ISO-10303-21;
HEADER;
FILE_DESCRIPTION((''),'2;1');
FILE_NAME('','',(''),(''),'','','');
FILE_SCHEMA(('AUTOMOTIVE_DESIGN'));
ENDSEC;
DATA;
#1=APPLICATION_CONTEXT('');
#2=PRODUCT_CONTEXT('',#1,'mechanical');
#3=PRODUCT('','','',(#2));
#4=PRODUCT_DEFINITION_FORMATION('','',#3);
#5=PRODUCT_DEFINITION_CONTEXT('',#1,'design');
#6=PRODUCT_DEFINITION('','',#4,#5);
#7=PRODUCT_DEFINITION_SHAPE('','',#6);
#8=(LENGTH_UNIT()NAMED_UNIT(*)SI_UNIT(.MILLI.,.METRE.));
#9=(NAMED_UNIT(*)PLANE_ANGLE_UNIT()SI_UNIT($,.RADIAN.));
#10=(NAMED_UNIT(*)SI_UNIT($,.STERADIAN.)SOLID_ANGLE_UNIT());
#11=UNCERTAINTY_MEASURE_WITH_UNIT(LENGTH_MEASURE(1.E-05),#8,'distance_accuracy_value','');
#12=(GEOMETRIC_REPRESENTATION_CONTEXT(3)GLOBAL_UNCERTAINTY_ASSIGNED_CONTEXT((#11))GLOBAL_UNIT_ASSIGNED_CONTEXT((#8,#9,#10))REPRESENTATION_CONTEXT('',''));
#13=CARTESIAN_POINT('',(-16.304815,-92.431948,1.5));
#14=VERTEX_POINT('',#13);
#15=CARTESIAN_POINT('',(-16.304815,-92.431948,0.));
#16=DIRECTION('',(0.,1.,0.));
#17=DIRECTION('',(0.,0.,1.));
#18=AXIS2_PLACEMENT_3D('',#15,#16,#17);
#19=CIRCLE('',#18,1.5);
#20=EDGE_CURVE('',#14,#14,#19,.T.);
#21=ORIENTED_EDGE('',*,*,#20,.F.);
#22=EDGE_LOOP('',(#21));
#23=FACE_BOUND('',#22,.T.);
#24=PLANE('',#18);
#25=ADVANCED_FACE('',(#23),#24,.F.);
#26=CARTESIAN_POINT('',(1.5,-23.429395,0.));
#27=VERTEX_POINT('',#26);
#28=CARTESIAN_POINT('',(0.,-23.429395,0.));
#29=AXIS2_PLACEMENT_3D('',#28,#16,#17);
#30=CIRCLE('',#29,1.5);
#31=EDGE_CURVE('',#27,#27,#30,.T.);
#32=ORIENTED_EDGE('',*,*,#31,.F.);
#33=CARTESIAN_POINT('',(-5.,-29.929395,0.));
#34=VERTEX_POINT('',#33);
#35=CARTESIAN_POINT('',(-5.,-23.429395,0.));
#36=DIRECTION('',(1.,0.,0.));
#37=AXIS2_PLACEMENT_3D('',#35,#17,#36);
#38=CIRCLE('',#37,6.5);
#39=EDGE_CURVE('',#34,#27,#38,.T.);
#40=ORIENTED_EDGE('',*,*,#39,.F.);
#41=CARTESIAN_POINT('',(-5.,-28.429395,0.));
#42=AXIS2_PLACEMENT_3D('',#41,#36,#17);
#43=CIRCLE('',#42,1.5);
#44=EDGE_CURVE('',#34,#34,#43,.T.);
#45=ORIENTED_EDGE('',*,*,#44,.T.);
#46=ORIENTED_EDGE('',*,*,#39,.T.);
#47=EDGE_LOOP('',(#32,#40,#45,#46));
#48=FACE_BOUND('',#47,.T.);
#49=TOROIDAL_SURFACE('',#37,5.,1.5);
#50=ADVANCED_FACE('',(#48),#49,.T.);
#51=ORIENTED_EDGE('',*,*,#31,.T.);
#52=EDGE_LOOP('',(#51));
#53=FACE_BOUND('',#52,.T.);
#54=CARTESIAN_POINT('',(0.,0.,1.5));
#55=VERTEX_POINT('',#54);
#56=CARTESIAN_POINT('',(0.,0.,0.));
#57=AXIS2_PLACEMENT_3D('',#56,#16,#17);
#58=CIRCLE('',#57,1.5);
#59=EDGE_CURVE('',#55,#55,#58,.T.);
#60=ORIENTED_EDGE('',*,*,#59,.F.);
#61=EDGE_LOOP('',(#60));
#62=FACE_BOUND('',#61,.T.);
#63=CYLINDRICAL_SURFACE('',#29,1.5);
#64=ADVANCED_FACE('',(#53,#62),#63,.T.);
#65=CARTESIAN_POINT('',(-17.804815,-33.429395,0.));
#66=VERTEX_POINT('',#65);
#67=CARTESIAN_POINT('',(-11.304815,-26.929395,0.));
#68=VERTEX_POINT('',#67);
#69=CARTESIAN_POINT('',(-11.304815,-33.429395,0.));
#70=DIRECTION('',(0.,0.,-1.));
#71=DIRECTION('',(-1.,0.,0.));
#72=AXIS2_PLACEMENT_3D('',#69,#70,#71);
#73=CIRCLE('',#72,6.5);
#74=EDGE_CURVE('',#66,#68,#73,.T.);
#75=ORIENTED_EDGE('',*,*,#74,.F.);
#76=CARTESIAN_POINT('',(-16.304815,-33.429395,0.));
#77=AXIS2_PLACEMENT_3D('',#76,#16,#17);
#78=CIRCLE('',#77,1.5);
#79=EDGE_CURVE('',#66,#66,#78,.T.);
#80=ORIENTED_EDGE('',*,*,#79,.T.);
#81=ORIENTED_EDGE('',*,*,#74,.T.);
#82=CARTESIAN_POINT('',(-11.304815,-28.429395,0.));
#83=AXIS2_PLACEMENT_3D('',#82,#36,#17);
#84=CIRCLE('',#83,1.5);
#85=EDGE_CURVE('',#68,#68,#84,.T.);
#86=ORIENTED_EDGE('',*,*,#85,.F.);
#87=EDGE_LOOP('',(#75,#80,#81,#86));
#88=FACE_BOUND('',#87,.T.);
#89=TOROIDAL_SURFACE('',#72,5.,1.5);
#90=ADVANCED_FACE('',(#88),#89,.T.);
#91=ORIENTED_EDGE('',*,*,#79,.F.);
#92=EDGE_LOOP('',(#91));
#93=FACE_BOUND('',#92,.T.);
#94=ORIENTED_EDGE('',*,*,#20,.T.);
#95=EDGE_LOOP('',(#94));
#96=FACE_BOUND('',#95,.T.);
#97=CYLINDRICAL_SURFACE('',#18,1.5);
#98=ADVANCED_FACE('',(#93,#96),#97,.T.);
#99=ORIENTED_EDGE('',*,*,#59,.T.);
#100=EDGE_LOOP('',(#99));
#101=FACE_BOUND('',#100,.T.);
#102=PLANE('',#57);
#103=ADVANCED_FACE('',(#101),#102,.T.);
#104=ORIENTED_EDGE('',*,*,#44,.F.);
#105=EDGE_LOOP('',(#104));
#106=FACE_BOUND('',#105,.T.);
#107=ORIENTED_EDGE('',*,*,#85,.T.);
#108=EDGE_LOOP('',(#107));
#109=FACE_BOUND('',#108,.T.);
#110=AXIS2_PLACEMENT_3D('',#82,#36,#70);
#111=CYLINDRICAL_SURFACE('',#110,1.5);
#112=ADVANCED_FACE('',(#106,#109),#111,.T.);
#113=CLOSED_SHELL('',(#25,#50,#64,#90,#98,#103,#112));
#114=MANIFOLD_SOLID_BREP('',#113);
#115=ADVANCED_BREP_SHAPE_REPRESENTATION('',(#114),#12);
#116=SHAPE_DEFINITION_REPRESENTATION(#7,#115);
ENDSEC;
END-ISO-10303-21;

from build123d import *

# Parameters (mm, degrees)
SKETCH2_R = 1.5


with BuildPart() as part:
    # Sweep1: sweep along a path in Sketch1
    with BuildLine(Plane.XY) as sweep1_path:
        Line((0, 0), (0, -23.42939458))
        ThreePointArc((0, -23.42939458), (-1.464466094, -26.964928486), (-5, -28.42939458))
        Line((-5, -28.42939458), (-11.30481531, -28.42939458))
        ThreePointArc((-11.30481531, -28.42939458), (-14.840349216, -29.893860674), (-16.30481531, -33.42939458))
        Line((-16.30481531, -33.42939458), (-16.30481531, -92.431947728))
    # Sketch2 → Sweep1 (sweep)
    with BuildSketch(Plane(origin=(0, 0, 0), x_dir=(1, 0, 0), z_dir=(0, 1, 0))):
        Circle(SKETCH2_R)
    sweep(path=sweep1_path.line)


solid = part.part
